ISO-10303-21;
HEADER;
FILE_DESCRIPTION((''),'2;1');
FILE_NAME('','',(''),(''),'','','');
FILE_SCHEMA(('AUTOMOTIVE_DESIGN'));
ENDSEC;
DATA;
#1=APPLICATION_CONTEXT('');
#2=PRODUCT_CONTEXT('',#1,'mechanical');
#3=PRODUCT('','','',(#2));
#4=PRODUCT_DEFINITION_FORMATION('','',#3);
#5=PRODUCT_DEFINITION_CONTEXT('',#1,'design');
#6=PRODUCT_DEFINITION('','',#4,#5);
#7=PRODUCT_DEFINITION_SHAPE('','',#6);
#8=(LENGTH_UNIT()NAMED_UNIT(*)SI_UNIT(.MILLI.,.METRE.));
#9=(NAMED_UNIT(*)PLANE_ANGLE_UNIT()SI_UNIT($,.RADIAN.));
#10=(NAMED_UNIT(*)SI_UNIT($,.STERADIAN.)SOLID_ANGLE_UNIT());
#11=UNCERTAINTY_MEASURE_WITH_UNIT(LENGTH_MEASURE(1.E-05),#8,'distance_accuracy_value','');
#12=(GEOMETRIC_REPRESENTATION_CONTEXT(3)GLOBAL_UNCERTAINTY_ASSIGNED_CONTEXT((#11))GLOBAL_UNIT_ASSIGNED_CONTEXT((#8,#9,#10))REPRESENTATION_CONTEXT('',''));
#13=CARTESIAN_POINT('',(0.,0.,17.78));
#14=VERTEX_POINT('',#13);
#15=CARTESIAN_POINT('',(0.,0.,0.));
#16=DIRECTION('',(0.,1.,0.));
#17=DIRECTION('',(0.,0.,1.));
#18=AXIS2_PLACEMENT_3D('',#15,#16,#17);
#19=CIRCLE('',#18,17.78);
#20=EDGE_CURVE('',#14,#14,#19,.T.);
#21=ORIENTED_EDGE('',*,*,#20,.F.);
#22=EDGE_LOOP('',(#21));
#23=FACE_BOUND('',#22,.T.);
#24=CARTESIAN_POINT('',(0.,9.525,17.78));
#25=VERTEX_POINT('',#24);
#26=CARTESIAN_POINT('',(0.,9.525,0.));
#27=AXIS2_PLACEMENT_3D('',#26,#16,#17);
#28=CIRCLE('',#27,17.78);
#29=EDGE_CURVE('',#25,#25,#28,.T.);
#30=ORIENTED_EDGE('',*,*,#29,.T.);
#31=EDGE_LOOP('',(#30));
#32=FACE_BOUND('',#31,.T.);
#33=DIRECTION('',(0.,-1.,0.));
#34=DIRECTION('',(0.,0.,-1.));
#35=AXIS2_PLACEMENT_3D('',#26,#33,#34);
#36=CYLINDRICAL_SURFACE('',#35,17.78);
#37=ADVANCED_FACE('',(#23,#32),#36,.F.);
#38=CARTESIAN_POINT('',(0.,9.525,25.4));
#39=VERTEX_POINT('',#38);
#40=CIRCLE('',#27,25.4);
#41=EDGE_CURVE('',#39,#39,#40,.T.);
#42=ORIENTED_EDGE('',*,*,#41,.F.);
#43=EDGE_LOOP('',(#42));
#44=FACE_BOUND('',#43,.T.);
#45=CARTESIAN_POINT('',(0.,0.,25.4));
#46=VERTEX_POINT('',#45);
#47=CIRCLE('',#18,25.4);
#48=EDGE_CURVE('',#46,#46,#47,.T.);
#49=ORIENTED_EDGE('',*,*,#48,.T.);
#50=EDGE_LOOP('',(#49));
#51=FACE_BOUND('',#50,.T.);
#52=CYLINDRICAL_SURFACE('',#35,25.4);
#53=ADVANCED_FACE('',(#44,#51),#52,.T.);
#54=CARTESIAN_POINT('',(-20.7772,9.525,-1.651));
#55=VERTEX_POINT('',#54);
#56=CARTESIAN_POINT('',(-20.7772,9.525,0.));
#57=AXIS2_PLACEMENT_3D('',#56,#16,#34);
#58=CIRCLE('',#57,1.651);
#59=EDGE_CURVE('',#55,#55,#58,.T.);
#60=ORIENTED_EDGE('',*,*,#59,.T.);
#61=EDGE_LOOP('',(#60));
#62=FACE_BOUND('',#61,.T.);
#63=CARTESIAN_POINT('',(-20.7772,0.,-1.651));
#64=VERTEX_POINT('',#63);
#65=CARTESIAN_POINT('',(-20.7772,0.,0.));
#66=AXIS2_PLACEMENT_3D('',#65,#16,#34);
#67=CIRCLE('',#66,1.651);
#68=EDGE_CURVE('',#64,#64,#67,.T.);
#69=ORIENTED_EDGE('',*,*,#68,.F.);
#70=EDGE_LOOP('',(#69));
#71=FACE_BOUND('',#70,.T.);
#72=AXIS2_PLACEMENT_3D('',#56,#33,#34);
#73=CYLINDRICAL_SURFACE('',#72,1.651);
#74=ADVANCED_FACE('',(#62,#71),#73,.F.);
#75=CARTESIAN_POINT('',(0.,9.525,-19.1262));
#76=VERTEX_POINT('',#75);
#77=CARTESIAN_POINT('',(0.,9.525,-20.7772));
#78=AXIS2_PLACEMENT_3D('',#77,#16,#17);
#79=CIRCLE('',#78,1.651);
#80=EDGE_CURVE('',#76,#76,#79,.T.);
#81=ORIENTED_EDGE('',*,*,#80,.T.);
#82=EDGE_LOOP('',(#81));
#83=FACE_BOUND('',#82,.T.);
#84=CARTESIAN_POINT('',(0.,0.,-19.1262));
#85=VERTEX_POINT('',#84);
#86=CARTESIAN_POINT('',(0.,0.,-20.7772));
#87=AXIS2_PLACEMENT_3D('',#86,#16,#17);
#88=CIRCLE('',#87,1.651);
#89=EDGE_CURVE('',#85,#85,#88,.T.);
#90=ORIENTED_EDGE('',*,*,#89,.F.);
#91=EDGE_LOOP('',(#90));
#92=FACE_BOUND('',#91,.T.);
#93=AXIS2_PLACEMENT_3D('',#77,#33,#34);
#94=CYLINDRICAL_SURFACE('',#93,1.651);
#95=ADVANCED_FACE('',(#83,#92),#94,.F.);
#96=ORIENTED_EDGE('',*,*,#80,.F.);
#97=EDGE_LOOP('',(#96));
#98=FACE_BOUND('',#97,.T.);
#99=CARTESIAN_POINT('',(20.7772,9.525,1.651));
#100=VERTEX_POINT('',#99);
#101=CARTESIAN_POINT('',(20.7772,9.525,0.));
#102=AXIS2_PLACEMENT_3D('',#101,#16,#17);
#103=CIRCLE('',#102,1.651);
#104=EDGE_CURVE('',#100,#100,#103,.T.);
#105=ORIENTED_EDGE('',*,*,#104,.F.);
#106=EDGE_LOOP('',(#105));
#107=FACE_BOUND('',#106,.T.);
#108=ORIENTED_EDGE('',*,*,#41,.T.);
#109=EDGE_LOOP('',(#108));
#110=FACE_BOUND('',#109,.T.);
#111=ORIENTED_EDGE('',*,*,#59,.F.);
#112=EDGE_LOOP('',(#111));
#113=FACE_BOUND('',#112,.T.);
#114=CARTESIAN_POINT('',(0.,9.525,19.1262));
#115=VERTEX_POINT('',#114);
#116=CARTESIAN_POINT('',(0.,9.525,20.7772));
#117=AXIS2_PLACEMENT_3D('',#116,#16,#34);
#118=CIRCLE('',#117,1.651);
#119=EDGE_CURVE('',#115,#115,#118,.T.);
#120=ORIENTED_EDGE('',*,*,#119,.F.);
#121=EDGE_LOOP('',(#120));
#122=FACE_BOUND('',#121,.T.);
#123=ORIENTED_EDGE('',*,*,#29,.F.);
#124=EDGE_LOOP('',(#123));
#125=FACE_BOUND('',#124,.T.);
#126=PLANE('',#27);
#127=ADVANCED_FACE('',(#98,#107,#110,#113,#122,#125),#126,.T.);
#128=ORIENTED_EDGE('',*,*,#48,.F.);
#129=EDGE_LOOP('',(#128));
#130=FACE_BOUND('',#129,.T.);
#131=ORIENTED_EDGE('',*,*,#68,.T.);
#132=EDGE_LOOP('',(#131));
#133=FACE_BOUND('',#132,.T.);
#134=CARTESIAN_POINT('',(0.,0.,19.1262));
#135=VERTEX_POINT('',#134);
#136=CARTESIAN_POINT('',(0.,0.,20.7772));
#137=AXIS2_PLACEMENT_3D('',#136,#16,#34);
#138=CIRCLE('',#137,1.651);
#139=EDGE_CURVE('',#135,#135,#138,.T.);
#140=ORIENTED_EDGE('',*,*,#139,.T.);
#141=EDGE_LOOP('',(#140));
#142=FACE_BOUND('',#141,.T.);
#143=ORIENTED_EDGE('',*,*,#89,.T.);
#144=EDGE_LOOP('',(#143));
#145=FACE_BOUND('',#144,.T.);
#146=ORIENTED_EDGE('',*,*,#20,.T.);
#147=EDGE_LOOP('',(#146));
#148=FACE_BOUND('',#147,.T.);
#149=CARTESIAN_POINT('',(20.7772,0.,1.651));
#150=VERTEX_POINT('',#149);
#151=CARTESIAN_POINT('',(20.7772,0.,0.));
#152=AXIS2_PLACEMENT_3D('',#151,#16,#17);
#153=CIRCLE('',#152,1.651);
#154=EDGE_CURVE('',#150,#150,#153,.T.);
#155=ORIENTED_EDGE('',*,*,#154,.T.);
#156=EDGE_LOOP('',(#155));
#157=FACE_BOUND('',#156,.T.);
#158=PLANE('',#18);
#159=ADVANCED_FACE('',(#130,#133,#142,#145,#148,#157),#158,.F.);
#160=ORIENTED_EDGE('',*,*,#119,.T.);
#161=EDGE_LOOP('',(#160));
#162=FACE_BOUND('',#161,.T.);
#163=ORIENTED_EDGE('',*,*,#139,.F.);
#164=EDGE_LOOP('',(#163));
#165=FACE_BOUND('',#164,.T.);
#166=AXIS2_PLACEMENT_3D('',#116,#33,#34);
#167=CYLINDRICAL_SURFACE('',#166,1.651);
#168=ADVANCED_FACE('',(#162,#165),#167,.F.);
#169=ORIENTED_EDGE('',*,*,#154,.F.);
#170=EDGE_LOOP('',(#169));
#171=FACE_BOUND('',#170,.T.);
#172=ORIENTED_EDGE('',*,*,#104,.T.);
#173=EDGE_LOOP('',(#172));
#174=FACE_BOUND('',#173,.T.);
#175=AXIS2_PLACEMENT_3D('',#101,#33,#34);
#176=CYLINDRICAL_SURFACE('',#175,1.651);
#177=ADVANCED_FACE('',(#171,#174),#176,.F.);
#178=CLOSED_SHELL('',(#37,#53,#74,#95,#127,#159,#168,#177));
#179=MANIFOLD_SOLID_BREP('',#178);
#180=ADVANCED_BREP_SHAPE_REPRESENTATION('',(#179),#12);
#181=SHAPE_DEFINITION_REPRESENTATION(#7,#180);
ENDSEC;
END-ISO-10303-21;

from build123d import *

# Parameters (mm, degrees)
SKETCH1_R      = 25.4
SKETCH1_R_2    = 17.78
SKETCH1_R_3    = 1.651
EXTRUDE1_DEPTH = 9.525


with BuildPart() as part:
    # Sketch1 → Extrude1 (new body)
    with BuildSketch(Plane(origin=(0, 0, 0), x_dir=(1, 0, 0), z_dir=(0, 1, 0))):
        with Locations(Location((0, 0, 0), (0, 0, 270))):
            Circle(SKETCH1_R)
        with Locations(Location((0, 0, 0), (0, 0, 270))):
            Circle(SKETCH1_R_2, mode=Mode.SUBTRACT)
        with Locations(Location((0, 20.7772, 0), (0, 0, 270))):
            Circle(SKETCH1_R_3, mode=Mode.SUBTRACT)
        with Locations(Location((0, -20.7772, 0), (0, 0, 90))):
            Circle(SKETCH1_R_3, mode=Mode.SUBTRACT)
        with Locations(Location((20.7772, 0, 0), (0, 0, 270))):
            Circle(SKETCH1_R_3, mode=Mode.SUBTRACT)
        with Locations(Location((-20.7772, 0, 0), (0, 0, 90))):
            Circle(SKETCH1_R_3, mode=Mode.SUBTRACT)
    extrude(amount=EXTRUDE1_DEPTH)


solid = part.part
